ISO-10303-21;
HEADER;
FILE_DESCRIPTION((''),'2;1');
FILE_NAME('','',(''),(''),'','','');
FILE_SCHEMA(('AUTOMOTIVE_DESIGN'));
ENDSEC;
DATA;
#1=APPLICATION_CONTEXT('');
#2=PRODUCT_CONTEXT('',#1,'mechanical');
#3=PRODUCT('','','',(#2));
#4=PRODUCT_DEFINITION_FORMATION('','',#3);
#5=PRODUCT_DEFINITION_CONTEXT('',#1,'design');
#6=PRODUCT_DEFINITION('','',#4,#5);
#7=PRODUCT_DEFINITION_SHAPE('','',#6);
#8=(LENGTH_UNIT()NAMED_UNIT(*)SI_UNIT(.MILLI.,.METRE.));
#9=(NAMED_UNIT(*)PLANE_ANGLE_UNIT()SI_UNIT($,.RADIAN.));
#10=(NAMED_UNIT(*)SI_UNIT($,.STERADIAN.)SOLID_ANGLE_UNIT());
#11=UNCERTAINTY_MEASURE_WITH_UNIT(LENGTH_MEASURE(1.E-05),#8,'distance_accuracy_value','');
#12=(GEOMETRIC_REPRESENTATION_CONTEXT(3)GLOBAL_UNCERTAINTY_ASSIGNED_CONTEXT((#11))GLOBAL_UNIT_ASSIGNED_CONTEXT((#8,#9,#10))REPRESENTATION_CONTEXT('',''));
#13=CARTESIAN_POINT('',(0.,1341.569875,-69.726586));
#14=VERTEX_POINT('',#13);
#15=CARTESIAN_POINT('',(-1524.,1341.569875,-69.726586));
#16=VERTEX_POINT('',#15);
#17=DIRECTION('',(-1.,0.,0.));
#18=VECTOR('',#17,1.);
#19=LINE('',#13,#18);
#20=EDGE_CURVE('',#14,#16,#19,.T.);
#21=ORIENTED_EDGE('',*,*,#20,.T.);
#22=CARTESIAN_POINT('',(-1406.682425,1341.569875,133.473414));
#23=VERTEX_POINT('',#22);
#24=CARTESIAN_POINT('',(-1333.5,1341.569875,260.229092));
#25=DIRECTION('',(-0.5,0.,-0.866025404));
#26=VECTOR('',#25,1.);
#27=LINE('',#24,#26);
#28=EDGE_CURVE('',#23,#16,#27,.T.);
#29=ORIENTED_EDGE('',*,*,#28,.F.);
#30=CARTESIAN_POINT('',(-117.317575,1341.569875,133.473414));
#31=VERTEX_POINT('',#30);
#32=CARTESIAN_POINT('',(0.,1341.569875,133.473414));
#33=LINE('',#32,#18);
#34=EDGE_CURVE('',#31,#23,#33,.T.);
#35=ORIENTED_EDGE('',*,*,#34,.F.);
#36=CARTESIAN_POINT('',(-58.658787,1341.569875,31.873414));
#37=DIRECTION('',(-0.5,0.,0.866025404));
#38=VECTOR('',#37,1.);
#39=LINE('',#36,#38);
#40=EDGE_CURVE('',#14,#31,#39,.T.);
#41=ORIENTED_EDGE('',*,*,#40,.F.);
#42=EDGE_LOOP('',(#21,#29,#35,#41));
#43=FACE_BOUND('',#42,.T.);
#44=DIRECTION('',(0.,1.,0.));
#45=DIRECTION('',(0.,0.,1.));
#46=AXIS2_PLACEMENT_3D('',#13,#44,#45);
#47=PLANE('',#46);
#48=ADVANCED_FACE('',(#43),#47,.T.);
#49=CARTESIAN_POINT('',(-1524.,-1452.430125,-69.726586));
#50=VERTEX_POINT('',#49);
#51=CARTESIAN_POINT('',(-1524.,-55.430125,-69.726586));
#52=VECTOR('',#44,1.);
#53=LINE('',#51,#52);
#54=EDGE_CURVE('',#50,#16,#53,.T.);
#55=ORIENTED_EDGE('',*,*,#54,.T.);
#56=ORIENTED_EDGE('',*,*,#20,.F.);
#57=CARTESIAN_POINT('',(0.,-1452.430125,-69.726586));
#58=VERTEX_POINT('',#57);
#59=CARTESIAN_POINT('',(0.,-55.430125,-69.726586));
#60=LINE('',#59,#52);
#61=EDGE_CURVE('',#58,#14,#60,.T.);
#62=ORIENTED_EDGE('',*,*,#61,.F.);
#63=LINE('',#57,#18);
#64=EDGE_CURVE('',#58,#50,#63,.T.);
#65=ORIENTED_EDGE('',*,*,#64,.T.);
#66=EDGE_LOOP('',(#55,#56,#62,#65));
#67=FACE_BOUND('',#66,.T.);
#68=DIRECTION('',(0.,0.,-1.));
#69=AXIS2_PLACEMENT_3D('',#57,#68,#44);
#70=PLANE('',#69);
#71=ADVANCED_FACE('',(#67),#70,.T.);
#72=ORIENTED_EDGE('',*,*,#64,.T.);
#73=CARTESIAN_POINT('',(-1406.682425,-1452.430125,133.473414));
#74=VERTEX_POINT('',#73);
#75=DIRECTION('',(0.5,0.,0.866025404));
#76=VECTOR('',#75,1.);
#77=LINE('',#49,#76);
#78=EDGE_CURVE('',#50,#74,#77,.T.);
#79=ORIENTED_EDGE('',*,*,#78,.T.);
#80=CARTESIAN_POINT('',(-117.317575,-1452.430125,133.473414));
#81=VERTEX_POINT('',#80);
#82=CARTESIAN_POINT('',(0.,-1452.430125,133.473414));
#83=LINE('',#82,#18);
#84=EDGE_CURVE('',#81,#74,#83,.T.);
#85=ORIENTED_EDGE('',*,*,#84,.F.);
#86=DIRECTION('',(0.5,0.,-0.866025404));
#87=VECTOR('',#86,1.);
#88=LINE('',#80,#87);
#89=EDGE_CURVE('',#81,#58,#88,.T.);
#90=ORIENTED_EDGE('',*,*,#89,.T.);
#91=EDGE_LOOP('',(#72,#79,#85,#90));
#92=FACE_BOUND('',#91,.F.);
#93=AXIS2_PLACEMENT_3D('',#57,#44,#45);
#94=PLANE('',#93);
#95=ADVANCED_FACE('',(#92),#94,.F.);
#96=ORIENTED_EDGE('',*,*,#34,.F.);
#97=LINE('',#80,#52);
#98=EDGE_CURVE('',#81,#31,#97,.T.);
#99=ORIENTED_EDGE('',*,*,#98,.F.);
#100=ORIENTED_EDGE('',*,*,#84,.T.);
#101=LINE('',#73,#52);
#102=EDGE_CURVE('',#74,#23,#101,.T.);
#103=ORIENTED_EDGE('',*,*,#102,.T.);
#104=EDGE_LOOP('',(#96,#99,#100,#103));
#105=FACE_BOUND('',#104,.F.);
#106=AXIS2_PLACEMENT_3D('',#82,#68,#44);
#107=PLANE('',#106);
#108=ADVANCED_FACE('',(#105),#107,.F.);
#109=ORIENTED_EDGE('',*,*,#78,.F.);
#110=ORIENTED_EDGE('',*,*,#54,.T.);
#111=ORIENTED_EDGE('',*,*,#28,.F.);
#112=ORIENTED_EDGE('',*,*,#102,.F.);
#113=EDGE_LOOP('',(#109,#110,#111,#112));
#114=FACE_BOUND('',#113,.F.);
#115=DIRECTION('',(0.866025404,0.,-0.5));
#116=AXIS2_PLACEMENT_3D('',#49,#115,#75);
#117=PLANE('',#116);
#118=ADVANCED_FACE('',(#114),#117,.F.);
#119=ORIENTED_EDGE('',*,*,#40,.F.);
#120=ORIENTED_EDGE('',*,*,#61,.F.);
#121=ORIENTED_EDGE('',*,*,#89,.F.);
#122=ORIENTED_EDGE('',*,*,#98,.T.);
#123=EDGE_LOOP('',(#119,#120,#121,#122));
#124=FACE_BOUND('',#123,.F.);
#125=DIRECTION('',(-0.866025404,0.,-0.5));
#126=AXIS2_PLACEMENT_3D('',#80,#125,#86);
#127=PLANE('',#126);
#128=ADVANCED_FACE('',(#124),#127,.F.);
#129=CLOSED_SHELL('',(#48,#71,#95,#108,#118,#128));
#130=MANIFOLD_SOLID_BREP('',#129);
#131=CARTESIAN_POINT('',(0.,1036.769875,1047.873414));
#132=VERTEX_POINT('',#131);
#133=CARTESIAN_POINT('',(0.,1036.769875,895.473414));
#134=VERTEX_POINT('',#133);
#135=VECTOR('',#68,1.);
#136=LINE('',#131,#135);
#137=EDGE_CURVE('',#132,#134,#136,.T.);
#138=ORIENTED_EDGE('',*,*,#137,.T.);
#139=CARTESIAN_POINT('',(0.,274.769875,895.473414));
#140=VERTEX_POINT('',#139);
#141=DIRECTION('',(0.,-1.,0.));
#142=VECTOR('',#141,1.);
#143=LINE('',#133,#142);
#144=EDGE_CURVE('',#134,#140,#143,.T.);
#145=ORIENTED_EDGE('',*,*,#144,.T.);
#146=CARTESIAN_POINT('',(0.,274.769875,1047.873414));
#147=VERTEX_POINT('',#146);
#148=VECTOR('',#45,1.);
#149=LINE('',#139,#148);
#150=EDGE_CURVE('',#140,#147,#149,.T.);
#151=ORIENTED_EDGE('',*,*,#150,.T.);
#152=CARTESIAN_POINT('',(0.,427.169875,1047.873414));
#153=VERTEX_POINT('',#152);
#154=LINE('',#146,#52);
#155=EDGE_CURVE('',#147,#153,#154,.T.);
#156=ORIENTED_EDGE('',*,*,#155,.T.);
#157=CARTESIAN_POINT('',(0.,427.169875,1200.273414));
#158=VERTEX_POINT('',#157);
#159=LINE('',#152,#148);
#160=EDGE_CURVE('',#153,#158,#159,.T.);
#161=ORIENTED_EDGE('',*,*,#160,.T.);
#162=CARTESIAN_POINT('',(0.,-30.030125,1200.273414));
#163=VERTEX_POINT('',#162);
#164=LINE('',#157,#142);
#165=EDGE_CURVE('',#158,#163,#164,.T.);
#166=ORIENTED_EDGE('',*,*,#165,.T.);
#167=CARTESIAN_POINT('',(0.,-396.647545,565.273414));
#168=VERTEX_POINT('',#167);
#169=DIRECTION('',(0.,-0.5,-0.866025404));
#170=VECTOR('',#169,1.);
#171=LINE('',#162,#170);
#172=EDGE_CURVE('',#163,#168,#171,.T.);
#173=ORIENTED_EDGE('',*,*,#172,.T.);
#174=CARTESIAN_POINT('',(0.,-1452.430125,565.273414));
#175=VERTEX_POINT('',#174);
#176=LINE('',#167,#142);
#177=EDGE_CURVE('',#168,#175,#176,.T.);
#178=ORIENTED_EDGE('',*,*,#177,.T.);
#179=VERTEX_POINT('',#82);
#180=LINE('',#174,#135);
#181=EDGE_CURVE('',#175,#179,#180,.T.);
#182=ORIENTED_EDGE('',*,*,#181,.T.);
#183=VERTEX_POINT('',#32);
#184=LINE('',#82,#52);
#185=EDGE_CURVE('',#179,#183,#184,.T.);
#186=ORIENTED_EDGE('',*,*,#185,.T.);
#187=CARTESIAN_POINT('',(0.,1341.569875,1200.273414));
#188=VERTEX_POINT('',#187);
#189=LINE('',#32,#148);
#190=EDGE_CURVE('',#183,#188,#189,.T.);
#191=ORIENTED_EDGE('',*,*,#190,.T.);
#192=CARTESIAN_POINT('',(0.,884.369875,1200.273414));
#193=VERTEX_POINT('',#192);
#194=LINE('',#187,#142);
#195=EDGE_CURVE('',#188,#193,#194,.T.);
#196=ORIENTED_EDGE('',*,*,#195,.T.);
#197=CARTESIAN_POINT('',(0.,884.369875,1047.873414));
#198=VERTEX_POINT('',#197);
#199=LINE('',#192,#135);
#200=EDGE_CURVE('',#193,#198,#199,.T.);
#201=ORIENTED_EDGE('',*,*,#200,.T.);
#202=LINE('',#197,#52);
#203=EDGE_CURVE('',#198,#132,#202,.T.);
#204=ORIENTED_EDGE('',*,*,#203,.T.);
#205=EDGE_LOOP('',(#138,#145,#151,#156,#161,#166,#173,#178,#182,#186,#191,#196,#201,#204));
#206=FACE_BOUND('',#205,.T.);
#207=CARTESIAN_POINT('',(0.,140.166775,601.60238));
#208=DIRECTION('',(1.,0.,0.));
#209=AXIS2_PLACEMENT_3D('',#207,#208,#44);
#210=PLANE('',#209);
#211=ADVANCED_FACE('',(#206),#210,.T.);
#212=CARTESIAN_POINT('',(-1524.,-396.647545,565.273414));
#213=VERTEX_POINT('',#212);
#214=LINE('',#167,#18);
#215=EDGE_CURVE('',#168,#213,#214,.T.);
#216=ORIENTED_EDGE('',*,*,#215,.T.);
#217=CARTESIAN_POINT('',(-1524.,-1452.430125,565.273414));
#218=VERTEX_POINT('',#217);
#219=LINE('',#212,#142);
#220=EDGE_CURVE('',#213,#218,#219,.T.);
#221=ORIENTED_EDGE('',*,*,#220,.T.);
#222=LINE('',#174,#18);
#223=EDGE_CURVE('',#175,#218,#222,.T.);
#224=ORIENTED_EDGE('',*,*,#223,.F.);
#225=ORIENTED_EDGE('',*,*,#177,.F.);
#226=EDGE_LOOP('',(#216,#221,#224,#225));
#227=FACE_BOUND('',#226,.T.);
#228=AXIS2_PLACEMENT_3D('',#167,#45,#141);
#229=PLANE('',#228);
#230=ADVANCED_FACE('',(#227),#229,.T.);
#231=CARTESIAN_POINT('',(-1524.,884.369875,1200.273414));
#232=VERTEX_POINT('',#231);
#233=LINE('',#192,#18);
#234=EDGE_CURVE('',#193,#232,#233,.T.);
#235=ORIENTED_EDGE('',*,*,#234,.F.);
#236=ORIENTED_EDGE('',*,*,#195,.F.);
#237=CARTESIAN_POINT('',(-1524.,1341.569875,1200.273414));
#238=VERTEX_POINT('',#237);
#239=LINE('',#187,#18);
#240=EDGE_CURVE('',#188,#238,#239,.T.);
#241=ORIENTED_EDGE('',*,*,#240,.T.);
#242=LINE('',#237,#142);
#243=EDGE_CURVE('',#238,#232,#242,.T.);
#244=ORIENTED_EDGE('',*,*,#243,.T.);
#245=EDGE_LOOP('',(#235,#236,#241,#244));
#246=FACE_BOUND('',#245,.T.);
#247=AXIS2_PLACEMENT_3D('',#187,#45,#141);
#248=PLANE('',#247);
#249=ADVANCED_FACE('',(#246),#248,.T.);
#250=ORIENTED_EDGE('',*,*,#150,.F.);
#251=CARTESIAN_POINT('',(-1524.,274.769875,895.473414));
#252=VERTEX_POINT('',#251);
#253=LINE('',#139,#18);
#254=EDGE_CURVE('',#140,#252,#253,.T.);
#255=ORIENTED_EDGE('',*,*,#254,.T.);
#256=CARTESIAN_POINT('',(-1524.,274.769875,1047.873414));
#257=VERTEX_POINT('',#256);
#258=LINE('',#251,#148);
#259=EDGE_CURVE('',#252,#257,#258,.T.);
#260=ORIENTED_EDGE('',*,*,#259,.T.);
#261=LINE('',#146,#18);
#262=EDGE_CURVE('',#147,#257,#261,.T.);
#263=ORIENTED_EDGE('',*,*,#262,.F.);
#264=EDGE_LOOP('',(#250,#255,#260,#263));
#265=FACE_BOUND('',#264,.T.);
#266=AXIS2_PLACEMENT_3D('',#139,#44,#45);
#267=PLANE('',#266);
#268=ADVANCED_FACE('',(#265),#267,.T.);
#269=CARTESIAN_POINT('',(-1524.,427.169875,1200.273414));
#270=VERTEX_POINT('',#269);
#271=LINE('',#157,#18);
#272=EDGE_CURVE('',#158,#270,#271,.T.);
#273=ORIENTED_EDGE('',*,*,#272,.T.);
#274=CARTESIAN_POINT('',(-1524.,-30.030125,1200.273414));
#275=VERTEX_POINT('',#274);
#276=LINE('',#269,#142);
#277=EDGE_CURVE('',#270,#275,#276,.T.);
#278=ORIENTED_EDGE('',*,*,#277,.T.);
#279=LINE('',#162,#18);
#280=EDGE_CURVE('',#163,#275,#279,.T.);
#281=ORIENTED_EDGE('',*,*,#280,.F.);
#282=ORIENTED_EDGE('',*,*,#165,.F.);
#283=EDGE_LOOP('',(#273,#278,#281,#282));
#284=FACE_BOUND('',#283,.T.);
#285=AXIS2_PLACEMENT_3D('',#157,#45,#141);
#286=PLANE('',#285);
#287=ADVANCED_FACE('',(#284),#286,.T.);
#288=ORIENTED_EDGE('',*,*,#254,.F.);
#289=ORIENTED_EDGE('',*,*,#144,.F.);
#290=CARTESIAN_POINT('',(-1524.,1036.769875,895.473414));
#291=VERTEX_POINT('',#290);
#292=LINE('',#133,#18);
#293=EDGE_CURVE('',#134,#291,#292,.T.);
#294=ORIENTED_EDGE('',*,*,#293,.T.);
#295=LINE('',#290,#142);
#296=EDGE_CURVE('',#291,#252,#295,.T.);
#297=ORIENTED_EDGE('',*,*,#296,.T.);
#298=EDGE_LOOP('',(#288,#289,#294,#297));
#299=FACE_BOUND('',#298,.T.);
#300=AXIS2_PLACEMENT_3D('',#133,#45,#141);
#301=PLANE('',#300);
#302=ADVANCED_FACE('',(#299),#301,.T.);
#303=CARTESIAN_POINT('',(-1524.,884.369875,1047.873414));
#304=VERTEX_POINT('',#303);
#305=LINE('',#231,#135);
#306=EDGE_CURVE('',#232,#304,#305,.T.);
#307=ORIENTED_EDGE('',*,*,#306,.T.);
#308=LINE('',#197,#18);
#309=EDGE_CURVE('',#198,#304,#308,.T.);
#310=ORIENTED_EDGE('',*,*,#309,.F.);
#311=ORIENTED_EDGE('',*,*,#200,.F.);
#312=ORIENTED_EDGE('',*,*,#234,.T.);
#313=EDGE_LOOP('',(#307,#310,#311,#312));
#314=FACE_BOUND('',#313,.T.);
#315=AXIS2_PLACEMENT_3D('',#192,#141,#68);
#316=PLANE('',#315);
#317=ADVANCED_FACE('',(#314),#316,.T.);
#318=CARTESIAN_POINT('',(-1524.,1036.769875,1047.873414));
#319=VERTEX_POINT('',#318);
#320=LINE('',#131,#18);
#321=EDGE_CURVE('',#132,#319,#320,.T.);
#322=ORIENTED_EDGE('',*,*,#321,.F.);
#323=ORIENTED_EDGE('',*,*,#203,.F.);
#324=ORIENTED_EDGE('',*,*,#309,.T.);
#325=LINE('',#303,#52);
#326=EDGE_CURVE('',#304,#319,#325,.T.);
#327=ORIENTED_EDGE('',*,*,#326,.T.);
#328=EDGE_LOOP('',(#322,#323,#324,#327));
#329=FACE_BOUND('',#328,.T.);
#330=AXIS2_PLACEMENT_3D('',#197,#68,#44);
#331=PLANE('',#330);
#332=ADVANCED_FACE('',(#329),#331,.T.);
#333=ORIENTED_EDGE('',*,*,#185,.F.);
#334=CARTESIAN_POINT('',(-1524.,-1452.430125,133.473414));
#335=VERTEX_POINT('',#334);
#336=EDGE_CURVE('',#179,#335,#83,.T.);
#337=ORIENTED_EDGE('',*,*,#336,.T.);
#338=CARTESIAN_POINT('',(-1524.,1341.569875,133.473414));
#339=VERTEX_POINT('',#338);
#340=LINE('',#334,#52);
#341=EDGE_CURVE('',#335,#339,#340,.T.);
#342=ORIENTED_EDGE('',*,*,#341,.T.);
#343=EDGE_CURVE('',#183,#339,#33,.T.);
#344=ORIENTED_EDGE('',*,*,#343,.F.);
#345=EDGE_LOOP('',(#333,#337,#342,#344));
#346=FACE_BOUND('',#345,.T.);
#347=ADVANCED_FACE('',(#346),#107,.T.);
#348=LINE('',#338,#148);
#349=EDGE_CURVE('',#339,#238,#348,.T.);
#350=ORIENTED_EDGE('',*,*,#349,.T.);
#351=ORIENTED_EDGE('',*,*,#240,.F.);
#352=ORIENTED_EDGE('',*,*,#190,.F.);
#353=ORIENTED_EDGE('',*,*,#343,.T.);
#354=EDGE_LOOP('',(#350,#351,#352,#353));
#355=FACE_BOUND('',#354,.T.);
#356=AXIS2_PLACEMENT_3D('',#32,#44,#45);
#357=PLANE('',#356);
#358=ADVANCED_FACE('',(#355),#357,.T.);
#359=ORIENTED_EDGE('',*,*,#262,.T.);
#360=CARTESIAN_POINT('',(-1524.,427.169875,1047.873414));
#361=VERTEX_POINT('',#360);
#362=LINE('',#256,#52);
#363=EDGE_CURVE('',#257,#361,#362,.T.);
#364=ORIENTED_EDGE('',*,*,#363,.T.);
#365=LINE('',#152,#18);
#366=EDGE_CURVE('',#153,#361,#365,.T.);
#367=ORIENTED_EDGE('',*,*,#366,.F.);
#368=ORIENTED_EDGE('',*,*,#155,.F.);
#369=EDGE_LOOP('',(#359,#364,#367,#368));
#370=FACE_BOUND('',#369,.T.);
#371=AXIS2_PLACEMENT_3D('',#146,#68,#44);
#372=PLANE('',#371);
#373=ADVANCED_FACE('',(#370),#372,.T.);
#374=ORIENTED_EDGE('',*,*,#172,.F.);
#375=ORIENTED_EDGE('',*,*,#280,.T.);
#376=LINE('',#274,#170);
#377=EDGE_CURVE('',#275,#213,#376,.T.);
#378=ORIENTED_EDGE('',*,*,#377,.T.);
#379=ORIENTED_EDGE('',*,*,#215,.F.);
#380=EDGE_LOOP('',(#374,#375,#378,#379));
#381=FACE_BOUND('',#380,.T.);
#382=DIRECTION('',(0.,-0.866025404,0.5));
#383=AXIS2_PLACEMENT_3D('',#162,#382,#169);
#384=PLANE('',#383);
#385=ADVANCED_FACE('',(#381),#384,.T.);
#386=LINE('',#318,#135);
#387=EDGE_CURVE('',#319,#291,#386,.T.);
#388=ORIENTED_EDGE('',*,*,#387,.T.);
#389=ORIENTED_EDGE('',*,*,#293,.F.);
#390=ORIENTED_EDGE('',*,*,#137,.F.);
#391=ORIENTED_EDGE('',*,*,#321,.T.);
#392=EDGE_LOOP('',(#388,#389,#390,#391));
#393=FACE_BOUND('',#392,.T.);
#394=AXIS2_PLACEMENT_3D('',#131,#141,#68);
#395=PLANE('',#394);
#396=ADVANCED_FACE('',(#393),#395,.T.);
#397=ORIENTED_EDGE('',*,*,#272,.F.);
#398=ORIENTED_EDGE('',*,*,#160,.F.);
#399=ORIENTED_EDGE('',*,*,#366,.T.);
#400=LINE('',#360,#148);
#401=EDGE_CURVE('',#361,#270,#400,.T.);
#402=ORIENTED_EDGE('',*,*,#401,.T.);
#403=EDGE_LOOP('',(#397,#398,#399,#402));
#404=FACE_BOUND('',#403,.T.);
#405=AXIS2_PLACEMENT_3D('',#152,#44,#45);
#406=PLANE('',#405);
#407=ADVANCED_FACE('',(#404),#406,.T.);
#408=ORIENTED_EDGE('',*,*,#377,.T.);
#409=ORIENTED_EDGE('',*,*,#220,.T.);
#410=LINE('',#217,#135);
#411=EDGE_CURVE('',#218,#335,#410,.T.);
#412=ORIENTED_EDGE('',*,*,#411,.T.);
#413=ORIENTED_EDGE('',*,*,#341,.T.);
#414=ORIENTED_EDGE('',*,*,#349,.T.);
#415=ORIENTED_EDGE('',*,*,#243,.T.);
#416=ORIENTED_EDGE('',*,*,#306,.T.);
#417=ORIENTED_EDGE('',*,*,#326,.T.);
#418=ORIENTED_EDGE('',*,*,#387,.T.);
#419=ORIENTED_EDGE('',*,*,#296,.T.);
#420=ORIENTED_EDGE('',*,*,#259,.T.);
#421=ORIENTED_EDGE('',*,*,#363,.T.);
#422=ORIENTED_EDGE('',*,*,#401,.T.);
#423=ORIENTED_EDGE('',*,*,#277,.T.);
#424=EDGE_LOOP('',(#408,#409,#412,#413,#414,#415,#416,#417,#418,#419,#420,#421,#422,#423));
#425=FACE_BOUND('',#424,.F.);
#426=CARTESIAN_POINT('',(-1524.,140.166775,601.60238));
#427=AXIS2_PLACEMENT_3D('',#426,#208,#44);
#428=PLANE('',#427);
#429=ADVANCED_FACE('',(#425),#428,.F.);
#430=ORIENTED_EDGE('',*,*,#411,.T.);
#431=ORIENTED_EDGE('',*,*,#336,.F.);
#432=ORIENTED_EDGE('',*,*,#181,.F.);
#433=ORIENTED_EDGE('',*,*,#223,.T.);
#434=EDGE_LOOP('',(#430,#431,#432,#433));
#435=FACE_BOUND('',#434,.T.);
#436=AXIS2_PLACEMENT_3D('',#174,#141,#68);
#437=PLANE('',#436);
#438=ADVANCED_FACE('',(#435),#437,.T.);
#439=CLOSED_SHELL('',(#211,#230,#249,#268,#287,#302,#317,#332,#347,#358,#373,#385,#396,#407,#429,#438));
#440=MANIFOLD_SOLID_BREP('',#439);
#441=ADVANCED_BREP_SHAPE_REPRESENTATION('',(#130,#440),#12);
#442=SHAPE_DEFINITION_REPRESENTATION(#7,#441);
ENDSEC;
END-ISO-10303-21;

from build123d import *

# Parameters (mm, degrees)
F1_DEPTH = 1524
F0_W     = 2794
F0_H     = 203.2
F2_DEPTH = 1524
F4_DEPTH = 2794.001
F5_DEPTH = 2794.001


with BuildPart() as f1:
    # F0 (on Right) → F1 (new body)
    with BuildSketch(Plane.YZ):
        Polygon((-1452.4301245138, 565.2734136581), (-1452.4301245138, 133.4734136581), (1341.5698754862, 133.4734136581), (1341.5698754862, 1200.2734136581), (884.3698754862, 1200.2734136581), (884.3698754862, 1047.8734136581), (1036.7698754862, 1047.8734136581), (1036.7698754862, 895.4734136581), (274.7698754862, 895.4734136581), (274.7698754862, 1047.8734136581), (427.1698754862, 1047.8734136581), (427.1698754862, 1200.2734136581), (-30.0301245138, 1200.2734136581), (-396.6475454492, 565.2734136581), align=None)
    extrude(amount=-F1_DEPTH)


with BuildPart() as f2:
    # F0 (on Right) → F2 (new body)
    with BuildSketch(Plane.YZ):
        with Locations((-55.4301245138, 31.8734136581)):
            Rectangle(F0_W, F0_H)
    extrude(amount=-F2_DEPTH)

    # F3 (on face) → F4 (cut, through all)
    with BuildSketch(Plane.XZ.offset(1452.4301245138)):
        Polygon((-1524, 133.4734136581), (-1524, -69.7265863419), (-1406.6824253007, 133.4734136581), align=None)
    extrude(amount=-F4_DEPTH, mode=Mode.SUBTRACT)

    # F3 (on face) → F5 (cut, through all)
    with BuildSketch(Plane.XZ.offset(1452.4301245138)):
        Polygon((-117.3175746993, 133.4734136581), (0, -69.7265863419), (0, 133.4734136581), align=None)
    extrude(amount=-F5_DEPTH, mode=Mode.SUBTRACT)


solid = Compound([f1.part, f2.part])
